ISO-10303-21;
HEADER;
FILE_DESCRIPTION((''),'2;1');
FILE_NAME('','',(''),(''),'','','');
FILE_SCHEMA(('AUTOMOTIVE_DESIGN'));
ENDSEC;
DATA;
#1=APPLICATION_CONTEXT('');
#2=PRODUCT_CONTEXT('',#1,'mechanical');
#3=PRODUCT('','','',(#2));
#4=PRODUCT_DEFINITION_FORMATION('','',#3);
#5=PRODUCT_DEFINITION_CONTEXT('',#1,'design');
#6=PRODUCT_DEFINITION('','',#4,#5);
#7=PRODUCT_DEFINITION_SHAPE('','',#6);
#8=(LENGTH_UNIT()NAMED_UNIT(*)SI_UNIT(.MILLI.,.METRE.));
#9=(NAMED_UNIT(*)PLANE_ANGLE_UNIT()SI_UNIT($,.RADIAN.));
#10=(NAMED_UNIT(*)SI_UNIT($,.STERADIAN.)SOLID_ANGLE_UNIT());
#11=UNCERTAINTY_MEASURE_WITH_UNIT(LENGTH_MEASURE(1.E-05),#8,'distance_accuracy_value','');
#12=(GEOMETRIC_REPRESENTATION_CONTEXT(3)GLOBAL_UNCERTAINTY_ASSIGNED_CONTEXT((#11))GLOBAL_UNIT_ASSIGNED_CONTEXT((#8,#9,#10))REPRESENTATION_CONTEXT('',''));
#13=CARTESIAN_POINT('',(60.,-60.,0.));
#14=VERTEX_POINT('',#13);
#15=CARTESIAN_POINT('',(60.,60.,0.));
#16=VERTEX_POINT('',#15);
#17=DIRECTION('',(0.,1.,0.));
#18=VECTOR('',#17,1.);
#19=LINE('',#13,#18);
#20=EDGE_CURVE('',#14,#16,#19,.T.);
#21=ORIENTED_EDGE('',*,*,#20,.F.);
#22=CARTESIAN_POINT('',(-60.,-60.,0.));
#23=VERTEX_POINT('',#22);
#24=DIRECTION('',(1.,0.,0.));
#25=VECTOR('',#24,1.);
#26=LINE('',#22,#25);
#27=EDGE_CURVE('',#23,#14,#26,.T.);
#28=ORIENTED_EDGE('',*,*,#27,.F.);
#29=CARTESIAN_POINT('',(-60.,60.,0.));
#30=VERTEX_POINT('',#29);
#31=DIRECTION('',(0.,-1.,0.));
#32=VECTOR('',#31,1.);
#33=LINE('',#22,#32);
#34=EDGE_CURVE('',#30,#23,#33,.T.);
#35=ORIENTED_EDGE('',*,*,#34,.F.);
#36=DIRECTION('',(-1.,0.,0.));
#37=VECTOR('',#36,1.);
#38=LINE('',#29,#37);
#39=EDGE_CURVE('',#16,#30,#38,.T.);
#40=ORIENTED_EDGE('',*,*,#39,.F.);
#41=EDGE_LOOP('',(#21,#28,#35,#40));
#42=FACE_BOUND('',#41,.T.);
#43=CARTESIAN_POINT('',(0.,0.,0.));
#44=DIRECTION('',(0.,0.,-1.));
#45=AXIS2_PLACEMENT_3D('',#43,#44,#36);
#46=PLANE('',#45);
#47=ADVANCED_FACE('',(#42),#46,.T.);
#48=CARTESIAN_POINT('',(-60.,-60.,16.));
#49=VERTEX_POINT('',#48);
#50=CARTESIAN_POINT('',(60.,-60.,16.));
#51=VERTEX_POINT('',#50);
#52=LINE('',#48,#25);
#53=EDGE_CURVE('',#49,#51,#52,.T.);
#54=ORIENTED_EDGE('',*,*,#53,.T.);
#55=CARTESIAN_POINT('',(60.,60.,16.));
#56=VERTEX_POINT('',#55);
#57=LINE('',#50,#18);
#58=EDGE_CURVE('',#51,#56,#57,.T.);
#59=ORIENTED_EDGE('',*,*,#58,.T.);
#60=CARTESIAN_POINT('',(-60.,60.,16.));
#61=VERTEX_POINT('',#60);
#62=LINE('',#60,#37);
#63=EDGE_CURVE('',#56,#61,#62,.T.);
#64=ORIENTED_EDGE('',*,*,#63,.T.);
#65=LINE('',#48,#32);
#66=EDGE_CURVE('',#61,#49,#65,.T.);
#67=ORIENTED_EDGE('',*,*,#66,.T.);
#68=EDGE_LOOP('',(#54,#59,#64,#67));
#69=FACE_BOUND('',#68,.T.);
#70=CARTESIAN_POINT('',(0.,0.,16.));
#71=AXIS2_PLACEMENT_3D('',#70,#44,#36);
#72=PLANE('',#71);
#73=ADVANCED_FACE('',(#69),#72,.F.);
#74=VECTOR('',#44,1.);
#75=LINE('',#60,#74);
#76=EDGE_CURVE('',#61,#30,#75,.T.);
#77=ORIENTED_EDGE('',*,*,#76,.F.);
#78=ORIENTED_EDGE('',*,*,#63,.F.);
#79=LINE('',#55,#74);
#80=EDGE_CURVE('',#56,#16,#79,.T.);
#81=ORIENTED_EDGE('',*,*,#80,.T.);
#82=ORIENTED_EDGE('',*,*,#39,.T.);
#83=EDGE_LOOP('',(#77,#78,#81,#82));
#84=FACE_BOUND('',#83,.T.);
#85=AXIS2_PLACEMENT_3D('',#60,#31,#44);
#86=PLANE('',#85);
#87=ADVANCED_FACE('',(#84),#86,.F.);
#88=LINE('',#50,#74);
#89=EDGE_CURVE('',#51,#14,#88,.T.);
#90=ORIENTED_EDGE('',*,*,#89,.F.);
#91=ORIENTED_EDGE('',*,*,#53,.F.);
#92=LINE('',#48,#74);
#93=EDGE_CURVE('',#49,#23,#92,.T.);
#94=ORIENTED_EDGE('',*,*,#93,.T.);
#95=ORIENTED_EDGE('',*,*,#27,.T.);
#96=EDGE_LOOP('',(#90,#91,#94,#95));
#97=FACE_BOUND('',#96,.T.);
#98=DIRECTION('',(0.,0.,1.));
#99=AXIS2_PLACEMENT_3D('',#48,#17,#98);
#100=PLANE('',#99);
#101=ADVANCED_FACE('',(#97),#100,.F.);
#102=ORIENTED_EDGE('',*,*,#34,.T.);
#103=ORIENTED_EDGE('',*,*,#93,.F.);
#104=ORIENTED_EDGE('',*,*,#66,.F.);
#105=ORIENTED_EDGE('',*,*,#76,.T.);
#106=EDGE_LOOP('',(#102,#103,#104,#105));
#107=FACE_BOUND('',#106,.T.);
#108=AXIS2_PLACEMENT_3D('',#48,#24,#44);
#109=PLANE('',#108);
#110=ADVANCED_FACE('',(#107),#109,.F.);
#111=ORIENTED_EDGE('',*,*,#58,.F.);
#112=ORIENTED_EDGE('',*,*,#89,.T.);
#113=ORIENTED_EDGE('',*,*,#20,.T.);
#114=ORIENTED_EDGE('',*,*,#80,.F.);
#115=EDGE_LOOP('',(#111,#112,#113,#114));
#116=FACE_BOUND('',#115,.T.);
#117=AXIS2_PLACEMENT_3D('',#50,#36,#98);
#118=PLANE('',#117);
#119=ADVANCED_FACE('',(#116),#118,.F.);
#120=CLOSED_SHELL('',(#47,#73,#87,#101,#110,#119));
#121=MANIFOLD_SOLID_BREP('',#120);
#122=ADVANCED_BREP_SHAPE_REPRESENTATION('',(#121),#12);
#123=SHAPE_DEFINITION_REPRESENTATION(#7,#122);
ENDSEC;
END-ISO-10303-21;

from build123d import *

# Parameters (mm, degrees)
SKETCH_1_W      = 120
SKETCH_1_H      = 120
EXTRUDE_1_DEPTH = 16


with BuildPart() as part:
    # 草图1 → 凸台-拉伸1 (new body)
    with BuildSketch(Plane.XY):
        Rectangle(SKETCH_1_W, SKETCH_1_H)
    extrude(amount=EXTRUDE_1_DEPTH)


solid = part.part
